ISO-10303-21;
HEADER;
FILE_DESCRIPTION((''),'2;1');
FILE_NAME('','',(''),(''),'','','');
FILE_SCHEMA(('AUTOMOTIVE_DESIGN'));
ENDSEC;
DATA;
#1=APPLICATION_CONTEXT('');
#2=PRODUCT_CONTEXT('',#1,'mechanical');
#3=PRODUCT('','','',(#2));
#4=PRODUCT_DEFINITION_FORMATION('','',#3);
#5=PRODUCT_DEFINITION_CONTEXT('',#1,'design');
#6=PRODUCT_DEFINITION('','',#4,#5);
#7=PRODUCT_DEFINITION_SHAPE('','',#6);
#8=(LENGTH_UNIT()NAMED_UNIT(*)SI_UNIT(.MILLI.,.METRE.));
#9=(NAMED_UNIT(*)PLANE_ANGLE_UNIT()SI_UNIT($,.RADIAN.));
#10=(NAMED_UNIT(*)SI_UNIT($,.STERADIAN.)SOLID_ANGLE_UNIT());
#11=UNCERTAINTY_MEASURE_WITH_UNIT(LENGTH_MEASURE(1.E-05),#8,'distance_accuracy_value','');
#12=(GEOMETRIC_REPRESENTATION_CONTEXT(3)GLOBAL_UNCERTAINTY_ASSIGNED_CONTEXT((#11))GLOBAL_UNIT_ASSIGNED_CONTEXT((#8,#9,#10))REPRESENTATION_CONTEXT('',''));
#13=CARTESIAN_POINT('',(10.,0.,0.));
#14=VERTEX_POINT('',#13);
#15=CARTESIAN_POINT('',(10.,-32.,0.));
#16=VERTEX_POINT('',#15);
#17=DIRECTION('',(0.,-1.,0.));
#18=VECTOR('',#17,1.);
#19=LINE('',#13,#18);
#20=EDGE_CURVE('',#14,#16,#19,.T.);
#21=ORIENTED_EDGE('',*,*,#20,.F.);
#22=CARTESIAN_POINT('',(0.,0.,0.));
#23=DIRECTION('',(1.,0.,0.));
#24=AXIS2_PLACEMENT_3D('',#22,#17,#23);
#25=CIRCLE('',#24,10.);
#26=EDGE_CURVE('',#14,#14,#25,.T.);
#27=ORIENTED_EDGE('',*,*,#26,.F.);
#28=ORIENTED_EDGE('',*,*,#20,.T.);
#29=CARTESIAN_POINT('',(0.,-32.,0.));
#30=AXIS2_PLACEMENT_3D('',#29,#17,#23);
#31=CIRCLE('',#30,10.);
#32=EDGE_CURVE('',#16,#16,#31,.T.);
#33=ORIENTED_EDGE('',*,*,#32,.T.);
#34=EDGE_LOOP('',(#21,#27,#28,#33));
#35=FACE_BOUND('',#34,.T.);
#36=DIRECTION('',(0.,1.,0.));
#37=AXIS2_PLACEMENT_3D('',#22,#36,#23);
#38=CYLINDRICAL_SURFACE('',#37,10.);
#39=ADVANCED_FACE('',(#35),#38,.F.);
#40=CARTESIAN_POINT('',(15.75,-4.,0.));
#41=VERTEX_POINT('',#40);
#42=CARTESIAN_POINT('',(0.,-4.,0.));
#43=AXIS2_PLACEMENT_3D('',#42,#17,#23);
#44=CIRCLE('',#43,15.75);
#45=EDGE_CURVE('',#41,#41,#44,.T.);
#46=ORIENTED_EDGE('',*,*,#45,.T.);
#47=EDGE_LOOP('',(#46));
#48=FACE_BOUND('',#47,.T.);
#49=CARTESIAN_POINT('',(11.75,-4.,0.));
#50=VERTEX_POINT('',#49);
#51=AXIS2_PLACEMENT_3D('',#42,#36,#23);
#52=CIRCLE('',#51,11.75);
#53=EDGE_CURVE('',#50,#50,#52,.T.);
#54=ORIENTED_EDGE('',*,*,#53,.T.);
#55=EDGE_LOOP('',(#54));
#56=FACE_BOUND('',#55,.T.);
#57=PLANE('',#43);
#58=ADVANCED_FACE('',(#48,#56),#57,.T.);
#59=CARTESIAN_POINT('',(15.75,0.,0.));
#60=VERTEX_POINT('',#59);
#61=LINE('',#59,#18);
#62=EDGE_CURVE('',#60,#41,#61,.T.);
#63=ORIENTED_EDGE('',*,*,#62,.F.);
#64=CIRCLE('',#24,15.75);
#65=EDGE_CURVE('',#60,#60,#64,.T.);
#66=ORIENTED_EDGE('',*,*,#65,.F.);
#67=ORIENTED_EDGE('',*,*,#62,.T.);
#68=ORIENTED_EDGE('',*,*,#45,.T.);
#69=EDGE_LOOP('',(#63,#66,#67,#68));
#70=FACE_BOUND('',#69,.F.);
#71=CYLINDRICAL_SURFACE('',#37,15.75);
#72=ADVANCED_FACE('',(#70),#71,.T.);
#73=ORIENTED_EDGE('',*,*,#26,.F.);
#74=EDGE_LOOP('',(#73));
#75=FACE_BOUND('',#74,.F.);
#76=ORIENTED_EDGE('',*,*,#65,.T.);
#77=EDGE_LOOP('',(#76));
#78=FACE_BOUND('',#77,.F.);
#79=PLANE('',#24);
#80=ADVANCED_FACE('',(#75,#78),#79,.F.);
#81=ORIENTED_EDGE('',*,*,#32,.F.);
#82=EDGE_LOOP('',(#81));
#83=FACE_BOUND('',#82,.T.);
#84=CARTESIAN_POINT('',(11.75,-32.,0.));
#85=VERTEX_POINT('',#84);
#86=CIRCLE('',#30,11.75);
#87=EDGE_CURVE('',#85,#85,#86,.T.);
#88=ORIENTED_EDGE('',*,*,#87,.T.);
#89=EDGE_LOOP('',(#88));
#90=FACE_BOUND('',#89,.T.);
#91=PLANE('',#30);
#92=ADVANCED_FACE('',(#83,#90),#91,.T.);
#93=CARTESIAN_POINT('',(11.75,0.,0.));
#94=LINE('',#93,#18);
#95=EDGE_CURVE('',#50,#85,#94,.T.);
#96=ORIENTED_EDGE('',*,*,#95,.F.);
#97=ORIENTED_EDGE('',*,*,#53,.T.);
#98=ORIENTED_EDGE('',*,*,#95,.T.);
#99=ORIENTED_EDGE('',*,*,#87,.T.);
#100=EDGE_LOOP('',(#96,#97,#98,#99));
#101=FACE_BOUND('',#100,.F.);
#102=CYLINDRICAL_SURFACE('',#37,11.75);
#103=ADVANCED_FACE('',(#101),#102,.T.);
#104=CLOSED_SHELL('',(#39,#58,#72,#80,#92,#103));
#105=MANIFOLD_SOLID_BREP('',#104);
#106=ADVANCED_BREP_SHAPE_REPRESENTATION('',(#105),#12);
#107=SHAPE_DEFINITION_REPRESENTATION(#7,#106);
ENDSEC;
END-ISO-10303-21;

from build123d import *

# Parameters (mm, degrees)
F0_R     = 15.75
F0_R_2   = 11.75
F0_R_3   = 10
F1_DEPTH = 4
F2_DEPTH = 32


with BuildPart() as f1:
    # F0 (on Front) → F1 (new body)
    with BuildSketch(Plane.XZ):
        Circle(F0_R)
        Circle(F0_R_2, mode=Mode.SUBTRACT)
        Circle(F0_R_2)
        Circle(F0_R_3, mode=Mode.SUBTRACT)
    extrude(amount=F1_DEPTH)

    # F0 (on Front) → F2 (join)
    with BuildSketch(Plane.XZ):
        Circle(F0_R_2)
        Circle(F0_R_3, mode=Mode.SUBTRACT)
    extrude(amount=F2_DEPTH)


solid = f1.part
